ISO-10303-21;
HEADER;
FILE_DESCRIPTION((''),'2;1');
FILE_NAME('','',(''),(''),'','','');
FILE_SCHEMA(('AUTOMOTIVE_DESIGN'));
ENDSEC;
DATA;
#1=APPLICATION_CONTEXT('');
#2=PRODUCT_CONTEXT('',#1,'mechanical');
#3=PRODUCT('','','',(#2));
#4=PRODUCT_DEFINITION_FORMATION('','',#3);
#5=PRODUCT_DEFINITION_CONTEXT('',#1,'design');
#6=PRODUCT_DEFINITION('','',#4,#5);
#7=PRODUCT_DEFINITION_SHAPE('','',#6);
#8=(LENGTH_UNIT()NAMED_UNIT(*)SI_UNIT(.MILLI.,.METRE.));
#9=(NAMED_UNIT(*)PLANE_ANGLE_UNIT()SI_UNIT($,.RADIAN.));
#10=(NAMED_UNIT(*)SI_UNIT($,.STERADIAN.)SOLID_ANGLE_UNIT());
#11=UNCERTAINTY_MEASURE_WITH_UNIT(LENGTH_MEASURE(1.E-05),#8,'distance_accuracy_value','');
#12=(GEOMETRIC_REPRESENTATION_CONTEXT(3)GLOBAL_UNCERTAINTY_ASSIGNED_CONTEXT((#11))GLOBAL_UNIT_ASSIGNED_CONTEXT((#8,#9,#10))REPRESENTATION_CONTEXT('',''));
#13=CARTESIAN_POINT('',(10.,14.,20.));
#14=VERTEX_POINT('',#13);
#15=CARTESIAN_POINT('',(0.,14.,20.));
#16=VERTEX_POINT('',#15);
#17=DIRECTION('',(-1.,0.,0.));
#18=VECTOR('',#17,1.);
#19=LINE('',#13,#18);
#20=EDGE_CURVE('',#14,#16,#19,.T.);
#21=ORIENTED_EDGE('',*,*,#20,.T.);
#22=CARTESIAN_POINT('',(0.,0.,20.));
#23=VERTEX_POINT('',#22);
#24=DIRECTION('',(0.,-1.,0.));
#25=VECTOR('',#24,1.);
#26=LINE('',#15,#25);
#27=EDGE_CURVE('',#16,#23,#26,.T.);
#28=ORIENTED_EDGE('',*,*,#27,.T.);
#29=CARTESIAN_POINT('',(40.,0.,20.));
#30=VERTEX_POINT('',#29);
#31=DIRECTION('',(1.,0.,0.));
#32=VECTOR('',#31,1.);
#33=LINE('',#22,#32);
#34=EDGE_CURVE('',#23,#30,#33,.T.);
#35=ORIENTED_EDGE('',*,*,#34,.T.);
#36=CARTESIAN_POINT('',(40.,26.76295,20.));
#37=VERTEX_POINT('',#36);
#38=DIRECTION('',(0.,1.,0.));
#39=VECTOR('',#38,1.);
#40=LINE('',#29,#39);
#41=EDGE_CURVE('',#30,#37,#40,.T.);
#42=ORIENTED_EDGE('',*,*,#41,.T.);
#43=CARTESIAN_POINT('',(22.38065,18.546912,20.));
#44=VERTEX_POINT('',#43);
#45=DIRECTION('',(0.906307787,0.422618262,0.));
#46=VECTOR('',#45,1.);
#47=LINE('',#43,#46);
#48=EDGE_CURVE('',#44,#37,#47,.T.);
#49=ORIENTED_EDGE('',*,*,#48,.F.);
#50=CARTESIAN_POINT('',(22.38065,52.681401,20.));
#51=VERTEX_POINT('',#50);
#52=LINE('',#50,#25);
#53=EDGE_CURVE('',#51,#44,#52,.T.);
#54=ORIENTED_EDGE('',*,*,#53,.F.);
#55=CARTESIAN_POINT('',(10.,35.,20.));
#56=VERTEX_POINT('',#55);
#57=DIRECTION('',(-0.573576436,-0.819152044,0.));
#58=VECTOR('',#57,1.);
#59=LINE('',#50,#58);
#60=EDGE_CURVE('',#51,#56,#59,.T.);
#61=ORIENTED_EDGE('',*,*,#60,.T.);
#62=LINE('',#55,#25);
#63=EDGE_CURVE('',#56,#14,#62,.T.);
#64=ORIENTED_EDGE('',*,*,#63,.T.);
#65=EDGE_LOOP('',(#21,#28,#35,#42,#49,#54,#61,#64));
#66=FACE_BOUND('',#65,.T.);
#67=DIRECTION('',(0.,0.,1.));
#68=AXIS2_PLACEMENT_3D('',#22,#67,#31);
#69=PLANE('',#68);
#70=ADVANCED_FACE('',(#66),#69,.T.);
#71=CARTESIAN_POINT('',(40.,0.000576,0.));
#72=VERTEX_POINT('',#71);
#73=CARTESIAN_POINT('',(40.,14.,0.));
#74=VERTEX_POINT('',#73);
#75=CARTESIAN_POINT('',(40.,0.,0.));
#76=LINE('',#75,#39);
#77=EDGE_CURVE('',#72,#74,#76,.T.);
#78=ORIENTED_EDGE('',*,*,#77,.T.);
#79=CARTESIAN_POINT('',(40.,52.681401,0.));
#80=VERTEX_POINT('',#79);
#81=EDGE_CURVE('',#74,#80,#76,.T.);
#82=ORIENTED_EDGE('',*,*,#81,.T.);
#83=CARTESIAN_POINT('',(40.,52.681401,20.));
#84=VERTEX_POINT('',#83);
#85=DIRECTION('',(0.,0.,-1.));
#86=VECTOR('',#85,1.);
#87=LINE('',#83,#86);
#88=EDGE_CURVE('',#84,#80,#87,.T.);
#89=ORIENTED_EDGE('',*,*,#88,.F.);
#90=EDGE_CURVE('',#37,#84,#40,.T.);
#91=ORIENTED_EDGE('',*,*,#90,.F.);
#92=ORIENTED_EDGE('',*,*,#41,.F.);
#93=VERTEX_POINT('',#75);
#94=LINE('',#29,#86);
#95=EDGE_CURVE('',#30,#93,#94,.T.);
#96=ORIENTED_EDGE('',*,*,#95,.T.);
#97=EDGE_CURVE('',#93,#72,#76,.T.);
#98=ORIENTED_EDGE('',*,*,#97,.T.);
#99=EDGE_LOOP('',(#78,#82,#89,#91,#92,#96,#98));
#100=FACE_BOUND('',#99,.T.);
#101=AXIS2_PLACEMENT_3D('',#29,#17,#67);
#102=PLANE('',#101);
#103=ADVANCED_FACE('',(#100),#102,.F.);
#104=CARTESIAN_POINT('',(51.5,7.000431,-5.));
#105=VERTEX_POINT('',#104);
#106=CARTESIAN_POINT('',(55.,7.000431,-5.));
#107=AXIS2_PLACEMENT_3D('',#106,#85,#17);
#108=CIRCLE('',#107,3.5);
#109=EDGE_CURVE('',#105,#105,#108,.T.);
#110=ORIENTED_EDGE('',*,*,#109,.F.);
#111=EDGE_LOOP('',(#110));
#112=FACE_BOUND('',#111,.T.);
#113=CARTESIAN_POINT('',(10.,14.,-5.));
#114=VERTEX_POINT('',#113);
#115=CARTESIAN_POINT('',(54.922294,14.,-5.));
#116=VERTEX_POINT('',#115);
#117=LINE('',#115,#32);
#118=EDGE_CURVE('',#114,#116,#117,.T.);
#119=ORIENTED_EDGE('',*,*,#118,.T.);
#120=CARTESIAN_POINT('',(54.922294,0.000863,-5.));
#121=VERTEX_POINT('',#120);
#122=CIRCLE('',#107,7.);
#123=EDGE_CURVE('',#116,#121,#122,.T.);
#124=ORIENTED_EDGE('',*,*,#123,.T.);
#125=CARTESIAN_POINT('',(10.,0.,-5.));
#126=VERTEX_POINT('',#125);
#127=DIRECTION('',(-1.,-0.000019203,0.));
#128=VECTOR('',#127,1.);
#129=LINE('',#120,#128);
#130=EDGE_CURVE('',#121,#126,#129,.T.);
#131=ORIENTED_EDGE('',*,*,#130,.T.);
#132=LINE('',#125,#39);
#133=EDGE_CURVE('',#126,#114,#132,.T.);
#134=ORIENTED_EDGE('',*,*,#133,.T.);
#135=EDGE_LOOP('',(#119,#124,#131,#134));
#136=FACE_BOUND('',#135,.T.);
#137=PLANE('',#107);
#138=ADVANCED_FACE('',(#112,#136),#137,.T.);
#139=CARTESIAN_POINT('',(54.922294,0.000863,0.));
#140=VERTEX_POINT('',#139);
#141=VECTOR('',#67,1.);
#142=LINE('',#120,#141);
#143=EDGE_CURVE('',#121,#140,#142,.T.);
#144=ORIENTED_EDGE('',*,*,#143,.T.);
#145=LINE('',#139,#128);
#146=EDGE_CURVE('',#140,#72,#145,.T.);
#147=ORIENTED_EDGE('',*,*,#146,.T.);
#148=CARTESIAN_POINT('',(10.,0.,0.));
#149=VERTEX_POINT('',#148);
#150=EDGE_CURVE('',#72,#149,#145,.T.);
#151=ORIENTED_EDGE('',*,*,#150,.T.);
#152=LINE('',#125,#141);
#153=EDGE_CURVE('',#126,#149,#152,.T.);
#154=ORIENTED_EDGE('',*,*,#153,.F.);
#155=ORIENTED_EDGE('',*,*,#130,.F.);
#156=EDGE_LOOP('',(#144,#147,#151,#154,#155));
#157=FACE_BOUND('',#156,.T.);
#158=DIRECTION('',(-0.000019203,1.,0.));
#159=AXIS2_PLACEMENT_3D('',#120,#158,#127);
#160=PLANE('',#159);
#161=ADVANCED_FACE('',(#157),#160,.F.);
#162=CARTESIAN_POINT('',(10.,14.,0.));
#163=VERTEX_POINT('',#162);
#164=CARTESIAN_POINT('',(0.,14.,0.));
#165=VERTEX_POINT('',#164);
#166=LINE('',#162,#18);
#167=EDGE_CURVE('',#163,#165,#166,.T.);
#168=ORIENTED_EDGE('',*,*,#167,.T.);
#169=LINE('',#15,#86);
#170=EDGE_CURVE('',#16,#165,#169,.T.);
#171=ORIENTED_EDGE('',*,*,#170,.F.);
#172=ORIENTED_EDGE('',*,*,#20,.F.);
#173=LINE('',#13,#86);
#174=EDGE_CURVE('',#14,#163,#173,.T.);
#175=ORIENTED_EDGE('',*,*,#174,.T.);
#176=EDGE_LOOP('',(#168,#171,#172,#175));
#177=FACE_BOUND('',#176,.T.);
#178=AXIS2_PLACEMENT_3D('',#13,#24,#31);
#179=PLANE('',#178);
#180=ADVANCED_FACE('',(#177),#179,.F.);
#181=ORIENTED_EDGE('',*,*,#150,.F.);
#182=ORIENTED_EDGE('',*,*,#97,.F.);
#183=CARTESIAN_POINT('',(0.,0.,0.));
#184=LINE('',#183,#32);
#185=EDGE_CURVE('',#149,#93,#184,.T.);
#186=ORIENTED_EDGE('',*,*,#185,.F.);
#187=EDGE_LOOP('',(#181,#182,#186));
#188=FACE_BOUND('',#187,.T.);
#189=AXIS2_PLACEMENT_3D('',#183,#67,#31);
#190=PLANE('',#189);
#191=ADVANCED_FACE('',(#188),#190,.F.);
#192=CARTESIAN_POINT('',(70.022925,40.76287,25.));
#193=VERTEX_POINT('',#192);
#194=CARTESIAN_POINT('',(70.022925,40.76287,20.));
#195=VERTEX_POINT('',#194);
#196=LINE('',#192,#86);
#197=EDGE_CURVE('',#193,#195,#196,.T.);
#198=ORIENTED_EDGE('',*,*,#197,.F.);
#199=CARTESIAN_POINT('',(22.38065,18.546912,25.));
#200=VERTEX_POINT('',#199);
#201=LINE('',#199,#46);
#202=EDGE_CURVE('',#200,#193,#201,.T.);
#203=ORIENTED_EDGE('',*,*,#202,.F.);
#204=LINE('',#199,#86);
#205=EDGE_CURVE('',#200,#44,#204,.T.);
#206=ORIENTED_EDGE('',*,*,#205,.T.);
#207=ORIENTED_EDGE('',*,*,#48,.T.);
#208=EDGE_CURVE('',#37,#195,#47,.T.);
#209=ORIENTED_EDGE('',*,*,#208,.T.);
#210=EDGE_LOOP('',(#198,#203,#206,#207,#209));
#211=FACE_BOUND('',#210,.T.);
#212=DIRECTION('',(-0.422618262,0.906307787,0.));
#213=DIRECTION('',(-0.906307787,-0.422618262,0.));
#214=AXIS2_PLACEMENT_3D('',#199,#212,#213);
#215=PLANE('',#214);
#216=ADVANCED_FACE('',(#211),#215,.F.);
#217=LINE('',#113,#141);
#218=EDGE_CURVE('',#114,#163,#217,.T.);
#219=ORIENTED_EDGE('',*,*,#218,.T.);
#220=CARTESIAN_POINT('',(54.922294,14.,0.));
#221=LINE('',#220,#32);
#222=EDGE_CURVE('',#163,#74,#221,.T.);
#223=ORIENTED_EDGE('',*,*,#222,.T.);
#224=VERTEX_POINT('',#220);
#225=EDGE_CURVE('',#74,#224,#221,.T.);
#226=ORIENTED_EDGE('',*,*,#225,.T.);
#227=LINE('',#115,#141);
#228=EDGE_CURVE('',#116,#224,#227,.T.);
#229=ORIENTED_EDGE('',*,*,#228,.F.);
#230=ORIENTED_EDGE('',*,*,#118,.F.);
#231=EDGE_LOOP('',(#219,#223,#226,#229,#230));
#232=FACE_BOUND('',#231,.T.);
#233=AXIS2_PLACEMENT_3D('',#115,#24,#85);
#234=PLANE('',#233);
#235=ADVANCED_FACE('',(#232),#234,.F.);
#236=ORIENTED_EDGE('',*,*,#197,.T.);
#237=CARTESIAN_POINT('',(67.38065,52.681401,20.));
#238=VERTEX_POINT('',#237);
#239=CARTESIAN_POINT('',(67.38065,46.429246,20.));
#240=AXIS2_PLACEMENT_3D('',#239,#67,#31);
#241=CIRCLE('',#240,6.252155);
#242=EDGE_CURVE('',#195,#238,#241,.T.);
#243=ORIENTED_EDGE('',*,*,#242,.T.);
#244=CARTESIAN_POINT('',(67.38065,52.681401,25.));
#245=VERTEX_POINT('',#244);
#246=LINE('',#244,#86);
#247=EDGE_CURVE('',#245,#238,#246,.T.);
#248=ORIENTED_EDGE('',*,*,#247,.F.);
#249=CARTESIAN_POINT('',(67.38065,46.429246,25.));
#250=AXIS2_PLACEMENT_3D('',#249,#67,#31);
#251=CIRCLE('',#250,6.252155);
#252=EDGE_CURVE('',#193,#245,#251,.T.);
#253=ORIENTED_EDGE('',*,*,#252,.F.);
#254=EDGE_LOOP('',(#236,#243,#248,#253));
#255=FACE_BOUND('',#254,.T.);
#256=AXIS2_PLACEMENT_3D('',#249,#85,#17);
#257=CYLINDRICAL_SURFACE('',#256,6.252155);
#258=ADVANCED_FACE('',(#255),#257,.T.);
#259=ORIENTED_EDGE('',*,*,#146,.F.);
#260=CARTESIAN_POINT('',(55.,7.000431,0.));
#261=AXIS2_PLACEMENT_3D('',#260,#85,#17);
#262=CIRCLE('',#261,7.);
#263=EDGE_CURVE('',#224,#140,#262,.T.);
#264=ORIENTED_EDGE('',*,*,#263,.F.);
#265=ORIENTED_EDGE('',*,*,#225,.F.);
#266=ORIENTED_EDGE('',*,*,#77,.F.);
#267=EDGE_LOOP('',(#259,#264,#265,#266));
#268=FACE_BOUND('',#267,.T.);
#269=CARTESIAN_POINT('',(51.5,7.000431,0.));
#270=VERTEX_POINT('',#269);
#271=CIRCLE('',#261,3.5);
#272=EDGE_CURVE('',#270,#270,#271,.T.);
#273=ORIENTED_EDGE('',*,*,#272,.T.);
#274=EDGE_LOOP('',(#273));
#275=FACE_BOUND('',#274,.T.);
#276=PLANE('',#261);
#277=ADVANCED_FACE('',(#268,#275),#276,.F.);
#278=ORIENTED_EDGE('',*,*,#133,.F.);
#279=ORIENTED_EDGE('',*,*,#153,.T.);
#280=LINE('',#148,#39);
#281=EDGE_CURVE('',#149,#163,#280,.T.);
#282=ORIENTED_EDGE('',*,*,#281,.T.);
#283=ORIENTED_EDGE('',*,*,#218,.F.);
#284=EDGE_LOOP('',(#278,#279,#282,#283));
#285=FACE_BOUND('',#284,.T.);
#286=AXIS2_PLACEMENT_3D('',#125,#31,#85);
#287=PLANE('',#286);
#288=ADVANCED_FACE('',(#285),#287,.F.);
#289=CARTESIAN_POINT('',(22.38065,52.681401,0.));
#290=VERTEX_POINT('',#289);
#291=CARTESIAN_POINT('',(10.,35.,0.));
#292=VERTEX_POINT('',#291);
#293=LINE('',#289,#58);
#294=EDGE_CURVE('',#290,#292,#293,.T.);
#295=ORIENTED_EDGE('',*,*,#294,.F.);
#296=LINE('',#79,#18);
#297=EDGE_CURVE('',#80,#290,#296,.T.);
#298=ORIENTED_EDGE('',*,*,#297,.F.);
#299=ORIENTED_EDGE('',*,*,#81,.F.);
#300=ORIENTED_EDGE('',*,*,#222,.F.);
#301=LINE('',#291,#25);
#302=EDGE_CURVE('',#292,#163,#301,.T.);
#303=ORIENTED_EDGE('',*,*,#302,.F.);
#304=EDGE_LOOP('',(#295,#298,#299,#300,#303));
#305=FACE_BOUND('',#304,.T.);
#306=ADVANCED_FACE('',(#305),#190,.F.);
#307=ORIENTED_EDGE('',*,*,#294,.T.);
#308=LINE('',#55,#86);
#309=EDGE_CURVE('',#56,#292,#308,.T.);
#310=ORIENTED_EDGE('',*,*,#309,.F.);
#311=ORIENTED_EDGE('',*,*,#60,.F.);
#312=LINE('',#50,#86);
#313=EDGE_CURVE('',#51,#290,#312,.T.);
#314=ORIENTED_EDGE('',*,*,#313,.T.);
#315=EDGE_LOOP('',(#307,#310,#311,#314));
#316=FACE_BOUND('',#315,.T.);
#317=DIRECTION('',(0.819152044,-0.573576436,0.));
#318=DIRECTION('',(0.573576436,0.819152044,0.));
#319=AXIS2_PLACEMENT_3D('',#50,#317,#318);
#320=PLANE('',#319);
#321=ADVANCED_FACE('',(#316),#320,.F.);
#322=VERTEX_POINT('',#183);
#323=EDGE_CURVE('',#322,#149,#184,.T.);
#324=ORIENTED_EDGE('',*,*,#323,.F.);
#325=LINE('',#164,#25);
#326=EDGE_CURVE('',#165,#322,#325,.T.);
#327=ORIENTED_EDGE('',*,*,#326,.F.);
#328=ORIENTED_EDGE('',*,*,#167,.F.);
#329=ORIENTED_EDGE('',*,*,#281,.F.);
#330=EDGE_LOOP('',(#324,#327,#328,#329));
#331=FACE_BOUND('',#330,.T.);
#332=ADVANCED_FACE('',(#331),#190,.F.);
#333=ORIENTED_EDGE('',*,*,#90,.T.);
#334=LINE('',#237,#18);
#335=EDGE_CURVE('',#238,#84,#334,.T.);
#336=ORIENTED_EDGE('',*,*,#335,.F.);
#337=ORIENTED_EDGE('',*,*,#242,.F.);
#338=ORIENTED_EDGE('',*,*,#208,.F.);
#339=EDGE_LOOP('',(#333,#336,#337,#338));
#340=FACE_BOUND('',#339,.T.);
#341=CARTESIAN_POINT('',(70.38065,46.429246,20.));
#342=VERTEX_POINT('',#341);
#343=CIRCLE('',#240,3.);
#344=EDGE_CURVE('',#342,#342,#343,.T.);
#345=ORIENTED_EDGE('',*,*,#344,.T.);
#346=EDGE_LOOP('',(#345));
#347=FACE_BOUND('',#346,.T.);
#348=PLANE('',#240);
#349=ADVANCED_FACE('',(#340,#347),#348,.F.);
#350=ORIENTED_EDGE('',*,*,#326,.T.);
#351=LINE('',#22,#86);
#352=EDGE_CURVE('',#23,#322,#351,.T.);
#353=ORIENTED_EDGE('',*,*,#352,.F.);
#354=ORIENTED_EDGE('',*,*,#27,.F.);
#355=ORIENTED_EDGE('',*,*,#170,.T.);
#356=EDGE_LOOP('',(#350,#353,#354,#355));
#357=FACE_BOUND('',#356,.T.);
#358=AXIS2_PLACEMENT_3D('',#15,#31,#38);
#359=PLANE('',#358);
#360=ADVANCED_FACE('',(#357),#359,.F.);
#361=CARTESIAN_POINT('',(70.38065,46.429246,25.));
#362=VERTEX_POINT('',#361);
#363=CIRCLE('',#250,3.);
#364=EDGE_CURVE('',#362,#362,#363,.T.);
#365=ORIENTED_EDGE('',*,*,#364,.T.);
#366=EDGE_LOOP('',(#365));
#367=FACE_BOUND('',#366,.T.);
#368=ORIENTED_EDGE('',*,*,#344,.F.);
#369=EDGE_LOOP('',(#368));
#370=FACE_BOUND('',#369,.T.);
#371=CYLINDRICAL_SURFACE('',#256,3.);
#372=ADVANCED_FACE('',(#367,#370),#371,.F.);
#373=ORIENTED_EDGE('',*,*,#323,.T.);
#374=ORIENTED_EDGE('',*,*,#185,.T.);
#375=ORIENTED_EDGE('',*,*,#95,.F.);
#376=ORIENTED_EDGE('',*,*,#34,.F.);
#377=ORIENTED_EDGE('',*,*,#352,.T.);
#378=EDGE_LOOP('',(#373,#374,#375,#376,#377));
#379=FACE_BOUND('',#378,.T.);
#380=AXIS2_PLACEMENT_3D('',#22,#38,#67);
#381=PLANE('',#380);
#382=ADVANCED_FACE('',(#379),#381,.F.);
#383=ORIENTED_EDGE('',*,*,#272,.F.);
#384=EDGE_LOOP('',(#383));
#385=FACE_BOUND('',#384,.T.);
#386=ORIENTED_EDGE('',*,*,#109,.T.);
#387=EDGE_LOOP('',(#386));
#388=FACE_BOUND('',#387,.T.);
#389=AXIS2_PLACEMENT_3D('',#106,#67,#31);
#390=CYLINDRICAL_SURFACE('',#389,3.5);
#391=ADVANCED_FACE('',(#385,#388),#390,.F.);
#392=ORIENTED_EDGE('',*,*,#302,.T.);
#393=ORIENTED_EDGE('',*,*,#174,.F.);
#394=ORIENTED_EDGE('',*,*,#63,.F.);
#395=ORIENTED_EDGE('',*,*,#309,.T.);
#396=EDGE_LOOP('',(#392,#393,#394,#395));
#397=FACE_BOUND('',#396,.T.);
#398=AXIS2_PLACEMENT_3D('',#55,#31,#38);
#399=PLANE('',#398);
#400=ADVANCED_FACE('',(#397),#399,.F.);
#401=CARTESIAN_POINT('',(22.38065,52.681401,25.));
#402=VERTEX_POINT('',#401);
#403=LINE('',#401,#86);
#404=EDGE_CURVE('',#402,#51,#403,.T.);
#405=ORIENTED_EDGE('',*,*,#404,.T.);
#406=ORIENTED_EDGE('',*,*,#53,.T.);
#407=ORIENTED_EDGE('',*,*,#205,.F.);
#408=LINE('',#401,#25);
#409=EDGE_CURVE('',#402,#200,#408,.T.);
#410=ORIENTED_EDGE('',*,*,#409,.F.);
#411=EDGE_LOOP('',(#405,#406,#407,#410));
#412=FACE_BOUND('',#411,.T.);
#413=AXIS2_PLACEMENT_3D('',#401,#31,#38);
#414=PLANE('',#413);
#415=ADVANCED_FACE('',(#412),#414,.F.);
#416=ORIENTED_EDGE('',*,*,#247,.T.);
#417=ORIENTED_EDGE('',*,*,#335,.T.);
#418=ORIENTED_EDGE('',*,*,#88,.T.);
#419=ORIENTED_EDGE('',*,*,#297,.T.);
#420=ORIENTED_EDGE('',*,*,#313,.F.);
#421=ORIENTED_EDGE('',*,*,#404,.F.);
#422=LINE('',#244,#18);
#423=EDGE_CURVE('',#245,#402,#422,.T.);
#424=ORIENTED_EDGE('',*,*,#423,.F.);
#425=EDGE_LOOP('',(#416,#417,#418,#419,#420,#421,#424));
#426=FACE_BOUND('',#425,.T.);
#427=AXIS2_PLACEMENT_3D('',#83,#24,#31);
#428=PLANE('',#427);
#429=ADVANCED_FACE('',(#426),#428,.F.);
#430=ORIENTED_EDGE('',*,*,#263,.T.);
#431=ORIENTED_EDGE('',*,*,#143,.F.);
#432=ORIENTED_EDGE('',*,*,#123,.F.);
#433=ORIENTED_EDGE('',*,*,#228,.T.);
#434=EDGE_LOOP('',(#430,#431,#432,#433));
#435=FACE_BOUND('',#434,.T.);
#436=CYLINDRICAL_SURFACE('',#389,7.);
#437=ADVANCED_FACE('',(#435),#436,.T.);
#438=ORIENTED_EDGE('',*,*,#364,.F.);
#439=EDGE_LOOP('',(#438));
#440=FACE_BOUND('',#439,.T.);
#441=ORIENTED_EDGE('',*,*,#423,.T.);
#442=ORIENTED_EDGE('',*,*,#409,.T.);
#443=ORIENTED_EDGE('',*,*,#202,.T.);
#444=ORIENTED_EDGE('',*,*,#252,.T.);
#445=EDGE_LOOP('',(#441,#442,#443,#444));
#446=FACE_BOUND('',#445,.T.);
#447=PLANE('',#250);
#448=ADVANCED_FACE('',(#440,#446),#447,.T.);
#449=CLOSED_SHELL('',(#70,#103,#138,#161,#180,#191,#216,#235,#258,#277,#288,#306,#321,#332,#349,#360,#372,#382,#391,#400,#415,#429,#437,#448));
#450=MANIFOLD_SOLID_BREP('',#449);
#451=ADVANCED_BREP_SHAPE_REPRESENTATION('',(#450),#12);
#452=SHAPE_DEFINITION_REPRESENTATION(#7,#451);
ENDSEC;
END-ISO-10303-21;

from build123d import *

# Parameters (mm, degrees)
DODANIE_WYCI_GNI_CIE1_DEPTH = 20
SZKIC2_R                    = 3.5
DODANIE_WYCI_GNI_CIE2_DEPTH = 5
SZKIC3_R                    = 3
DODANIE_WYCI_GNI_CIE3_DEPTH = 5


with BuildPart() as part:
    # Szkic1 → Dodanie-wyciągnięcie1 (new body)
    with BuildSketch(Plane.XY):
        Polygon((0, 0), (40, 0), (40, 52.681400645), (22.380650018, 52.681400645), (10, 35), (10, 14), (0, 14), align=None)
    extrude(amount=DODANIE_WYCI_GNI_CIE1_DEPTH)

    # Szkic2 → Dodanie-wyciągnięcie2 (add)
    with BuildSketch(Plane(origin=(0, 0, 0), x_dir=(-1, 0, 0), z_dir=(0, 0, -1))):
        with BuildLine():
            Line((-10, 0), (-10, 14))
            Line((-10, 14), (-54.922294035, 14))
            ThreePointArc((-54.922294035, 14), (-62, 7.00043131), (-54.922294026, 0.000862629))
            Line((-54.922294026, 0.000862629), (-10, 0))
        make_face()
        with Locations((-55, 7.000431315)):
            Circle(SZKIC2_R, mode=Mode.SUBTRACT)
    extrude(amount=DODANIE_WYCI_GNI_CIE2_DEPTH)

    # Szkic3 → Dodanie-wyciągnięcie3 (add)
    with BuildSketch(Plane.XY.offset(20)):
        with BuildLine():
            Line((22.380650018, 52.681400645), (22.380650018, 18.546912235))
            Line((22.380650018, 18.546912235), (70.022924699, 40.762869771))
            ThreePointArc((70.022924699, 40.762869771), (73.484603525, 47.782460025), (67.380650018, 52.681400645))
            Line((67.380650018, 52.681400645), (22.380650018, 52.681400645))
        make_face()
        with Locations((67.380650018, 46.429246111)):
            Circle(SZKIC3_R, mode=Mode.SUBTRACT)
    extrude(amount=DODANIE_WYCI_GNI_CIE3_DEPTH)


solid = part.part
